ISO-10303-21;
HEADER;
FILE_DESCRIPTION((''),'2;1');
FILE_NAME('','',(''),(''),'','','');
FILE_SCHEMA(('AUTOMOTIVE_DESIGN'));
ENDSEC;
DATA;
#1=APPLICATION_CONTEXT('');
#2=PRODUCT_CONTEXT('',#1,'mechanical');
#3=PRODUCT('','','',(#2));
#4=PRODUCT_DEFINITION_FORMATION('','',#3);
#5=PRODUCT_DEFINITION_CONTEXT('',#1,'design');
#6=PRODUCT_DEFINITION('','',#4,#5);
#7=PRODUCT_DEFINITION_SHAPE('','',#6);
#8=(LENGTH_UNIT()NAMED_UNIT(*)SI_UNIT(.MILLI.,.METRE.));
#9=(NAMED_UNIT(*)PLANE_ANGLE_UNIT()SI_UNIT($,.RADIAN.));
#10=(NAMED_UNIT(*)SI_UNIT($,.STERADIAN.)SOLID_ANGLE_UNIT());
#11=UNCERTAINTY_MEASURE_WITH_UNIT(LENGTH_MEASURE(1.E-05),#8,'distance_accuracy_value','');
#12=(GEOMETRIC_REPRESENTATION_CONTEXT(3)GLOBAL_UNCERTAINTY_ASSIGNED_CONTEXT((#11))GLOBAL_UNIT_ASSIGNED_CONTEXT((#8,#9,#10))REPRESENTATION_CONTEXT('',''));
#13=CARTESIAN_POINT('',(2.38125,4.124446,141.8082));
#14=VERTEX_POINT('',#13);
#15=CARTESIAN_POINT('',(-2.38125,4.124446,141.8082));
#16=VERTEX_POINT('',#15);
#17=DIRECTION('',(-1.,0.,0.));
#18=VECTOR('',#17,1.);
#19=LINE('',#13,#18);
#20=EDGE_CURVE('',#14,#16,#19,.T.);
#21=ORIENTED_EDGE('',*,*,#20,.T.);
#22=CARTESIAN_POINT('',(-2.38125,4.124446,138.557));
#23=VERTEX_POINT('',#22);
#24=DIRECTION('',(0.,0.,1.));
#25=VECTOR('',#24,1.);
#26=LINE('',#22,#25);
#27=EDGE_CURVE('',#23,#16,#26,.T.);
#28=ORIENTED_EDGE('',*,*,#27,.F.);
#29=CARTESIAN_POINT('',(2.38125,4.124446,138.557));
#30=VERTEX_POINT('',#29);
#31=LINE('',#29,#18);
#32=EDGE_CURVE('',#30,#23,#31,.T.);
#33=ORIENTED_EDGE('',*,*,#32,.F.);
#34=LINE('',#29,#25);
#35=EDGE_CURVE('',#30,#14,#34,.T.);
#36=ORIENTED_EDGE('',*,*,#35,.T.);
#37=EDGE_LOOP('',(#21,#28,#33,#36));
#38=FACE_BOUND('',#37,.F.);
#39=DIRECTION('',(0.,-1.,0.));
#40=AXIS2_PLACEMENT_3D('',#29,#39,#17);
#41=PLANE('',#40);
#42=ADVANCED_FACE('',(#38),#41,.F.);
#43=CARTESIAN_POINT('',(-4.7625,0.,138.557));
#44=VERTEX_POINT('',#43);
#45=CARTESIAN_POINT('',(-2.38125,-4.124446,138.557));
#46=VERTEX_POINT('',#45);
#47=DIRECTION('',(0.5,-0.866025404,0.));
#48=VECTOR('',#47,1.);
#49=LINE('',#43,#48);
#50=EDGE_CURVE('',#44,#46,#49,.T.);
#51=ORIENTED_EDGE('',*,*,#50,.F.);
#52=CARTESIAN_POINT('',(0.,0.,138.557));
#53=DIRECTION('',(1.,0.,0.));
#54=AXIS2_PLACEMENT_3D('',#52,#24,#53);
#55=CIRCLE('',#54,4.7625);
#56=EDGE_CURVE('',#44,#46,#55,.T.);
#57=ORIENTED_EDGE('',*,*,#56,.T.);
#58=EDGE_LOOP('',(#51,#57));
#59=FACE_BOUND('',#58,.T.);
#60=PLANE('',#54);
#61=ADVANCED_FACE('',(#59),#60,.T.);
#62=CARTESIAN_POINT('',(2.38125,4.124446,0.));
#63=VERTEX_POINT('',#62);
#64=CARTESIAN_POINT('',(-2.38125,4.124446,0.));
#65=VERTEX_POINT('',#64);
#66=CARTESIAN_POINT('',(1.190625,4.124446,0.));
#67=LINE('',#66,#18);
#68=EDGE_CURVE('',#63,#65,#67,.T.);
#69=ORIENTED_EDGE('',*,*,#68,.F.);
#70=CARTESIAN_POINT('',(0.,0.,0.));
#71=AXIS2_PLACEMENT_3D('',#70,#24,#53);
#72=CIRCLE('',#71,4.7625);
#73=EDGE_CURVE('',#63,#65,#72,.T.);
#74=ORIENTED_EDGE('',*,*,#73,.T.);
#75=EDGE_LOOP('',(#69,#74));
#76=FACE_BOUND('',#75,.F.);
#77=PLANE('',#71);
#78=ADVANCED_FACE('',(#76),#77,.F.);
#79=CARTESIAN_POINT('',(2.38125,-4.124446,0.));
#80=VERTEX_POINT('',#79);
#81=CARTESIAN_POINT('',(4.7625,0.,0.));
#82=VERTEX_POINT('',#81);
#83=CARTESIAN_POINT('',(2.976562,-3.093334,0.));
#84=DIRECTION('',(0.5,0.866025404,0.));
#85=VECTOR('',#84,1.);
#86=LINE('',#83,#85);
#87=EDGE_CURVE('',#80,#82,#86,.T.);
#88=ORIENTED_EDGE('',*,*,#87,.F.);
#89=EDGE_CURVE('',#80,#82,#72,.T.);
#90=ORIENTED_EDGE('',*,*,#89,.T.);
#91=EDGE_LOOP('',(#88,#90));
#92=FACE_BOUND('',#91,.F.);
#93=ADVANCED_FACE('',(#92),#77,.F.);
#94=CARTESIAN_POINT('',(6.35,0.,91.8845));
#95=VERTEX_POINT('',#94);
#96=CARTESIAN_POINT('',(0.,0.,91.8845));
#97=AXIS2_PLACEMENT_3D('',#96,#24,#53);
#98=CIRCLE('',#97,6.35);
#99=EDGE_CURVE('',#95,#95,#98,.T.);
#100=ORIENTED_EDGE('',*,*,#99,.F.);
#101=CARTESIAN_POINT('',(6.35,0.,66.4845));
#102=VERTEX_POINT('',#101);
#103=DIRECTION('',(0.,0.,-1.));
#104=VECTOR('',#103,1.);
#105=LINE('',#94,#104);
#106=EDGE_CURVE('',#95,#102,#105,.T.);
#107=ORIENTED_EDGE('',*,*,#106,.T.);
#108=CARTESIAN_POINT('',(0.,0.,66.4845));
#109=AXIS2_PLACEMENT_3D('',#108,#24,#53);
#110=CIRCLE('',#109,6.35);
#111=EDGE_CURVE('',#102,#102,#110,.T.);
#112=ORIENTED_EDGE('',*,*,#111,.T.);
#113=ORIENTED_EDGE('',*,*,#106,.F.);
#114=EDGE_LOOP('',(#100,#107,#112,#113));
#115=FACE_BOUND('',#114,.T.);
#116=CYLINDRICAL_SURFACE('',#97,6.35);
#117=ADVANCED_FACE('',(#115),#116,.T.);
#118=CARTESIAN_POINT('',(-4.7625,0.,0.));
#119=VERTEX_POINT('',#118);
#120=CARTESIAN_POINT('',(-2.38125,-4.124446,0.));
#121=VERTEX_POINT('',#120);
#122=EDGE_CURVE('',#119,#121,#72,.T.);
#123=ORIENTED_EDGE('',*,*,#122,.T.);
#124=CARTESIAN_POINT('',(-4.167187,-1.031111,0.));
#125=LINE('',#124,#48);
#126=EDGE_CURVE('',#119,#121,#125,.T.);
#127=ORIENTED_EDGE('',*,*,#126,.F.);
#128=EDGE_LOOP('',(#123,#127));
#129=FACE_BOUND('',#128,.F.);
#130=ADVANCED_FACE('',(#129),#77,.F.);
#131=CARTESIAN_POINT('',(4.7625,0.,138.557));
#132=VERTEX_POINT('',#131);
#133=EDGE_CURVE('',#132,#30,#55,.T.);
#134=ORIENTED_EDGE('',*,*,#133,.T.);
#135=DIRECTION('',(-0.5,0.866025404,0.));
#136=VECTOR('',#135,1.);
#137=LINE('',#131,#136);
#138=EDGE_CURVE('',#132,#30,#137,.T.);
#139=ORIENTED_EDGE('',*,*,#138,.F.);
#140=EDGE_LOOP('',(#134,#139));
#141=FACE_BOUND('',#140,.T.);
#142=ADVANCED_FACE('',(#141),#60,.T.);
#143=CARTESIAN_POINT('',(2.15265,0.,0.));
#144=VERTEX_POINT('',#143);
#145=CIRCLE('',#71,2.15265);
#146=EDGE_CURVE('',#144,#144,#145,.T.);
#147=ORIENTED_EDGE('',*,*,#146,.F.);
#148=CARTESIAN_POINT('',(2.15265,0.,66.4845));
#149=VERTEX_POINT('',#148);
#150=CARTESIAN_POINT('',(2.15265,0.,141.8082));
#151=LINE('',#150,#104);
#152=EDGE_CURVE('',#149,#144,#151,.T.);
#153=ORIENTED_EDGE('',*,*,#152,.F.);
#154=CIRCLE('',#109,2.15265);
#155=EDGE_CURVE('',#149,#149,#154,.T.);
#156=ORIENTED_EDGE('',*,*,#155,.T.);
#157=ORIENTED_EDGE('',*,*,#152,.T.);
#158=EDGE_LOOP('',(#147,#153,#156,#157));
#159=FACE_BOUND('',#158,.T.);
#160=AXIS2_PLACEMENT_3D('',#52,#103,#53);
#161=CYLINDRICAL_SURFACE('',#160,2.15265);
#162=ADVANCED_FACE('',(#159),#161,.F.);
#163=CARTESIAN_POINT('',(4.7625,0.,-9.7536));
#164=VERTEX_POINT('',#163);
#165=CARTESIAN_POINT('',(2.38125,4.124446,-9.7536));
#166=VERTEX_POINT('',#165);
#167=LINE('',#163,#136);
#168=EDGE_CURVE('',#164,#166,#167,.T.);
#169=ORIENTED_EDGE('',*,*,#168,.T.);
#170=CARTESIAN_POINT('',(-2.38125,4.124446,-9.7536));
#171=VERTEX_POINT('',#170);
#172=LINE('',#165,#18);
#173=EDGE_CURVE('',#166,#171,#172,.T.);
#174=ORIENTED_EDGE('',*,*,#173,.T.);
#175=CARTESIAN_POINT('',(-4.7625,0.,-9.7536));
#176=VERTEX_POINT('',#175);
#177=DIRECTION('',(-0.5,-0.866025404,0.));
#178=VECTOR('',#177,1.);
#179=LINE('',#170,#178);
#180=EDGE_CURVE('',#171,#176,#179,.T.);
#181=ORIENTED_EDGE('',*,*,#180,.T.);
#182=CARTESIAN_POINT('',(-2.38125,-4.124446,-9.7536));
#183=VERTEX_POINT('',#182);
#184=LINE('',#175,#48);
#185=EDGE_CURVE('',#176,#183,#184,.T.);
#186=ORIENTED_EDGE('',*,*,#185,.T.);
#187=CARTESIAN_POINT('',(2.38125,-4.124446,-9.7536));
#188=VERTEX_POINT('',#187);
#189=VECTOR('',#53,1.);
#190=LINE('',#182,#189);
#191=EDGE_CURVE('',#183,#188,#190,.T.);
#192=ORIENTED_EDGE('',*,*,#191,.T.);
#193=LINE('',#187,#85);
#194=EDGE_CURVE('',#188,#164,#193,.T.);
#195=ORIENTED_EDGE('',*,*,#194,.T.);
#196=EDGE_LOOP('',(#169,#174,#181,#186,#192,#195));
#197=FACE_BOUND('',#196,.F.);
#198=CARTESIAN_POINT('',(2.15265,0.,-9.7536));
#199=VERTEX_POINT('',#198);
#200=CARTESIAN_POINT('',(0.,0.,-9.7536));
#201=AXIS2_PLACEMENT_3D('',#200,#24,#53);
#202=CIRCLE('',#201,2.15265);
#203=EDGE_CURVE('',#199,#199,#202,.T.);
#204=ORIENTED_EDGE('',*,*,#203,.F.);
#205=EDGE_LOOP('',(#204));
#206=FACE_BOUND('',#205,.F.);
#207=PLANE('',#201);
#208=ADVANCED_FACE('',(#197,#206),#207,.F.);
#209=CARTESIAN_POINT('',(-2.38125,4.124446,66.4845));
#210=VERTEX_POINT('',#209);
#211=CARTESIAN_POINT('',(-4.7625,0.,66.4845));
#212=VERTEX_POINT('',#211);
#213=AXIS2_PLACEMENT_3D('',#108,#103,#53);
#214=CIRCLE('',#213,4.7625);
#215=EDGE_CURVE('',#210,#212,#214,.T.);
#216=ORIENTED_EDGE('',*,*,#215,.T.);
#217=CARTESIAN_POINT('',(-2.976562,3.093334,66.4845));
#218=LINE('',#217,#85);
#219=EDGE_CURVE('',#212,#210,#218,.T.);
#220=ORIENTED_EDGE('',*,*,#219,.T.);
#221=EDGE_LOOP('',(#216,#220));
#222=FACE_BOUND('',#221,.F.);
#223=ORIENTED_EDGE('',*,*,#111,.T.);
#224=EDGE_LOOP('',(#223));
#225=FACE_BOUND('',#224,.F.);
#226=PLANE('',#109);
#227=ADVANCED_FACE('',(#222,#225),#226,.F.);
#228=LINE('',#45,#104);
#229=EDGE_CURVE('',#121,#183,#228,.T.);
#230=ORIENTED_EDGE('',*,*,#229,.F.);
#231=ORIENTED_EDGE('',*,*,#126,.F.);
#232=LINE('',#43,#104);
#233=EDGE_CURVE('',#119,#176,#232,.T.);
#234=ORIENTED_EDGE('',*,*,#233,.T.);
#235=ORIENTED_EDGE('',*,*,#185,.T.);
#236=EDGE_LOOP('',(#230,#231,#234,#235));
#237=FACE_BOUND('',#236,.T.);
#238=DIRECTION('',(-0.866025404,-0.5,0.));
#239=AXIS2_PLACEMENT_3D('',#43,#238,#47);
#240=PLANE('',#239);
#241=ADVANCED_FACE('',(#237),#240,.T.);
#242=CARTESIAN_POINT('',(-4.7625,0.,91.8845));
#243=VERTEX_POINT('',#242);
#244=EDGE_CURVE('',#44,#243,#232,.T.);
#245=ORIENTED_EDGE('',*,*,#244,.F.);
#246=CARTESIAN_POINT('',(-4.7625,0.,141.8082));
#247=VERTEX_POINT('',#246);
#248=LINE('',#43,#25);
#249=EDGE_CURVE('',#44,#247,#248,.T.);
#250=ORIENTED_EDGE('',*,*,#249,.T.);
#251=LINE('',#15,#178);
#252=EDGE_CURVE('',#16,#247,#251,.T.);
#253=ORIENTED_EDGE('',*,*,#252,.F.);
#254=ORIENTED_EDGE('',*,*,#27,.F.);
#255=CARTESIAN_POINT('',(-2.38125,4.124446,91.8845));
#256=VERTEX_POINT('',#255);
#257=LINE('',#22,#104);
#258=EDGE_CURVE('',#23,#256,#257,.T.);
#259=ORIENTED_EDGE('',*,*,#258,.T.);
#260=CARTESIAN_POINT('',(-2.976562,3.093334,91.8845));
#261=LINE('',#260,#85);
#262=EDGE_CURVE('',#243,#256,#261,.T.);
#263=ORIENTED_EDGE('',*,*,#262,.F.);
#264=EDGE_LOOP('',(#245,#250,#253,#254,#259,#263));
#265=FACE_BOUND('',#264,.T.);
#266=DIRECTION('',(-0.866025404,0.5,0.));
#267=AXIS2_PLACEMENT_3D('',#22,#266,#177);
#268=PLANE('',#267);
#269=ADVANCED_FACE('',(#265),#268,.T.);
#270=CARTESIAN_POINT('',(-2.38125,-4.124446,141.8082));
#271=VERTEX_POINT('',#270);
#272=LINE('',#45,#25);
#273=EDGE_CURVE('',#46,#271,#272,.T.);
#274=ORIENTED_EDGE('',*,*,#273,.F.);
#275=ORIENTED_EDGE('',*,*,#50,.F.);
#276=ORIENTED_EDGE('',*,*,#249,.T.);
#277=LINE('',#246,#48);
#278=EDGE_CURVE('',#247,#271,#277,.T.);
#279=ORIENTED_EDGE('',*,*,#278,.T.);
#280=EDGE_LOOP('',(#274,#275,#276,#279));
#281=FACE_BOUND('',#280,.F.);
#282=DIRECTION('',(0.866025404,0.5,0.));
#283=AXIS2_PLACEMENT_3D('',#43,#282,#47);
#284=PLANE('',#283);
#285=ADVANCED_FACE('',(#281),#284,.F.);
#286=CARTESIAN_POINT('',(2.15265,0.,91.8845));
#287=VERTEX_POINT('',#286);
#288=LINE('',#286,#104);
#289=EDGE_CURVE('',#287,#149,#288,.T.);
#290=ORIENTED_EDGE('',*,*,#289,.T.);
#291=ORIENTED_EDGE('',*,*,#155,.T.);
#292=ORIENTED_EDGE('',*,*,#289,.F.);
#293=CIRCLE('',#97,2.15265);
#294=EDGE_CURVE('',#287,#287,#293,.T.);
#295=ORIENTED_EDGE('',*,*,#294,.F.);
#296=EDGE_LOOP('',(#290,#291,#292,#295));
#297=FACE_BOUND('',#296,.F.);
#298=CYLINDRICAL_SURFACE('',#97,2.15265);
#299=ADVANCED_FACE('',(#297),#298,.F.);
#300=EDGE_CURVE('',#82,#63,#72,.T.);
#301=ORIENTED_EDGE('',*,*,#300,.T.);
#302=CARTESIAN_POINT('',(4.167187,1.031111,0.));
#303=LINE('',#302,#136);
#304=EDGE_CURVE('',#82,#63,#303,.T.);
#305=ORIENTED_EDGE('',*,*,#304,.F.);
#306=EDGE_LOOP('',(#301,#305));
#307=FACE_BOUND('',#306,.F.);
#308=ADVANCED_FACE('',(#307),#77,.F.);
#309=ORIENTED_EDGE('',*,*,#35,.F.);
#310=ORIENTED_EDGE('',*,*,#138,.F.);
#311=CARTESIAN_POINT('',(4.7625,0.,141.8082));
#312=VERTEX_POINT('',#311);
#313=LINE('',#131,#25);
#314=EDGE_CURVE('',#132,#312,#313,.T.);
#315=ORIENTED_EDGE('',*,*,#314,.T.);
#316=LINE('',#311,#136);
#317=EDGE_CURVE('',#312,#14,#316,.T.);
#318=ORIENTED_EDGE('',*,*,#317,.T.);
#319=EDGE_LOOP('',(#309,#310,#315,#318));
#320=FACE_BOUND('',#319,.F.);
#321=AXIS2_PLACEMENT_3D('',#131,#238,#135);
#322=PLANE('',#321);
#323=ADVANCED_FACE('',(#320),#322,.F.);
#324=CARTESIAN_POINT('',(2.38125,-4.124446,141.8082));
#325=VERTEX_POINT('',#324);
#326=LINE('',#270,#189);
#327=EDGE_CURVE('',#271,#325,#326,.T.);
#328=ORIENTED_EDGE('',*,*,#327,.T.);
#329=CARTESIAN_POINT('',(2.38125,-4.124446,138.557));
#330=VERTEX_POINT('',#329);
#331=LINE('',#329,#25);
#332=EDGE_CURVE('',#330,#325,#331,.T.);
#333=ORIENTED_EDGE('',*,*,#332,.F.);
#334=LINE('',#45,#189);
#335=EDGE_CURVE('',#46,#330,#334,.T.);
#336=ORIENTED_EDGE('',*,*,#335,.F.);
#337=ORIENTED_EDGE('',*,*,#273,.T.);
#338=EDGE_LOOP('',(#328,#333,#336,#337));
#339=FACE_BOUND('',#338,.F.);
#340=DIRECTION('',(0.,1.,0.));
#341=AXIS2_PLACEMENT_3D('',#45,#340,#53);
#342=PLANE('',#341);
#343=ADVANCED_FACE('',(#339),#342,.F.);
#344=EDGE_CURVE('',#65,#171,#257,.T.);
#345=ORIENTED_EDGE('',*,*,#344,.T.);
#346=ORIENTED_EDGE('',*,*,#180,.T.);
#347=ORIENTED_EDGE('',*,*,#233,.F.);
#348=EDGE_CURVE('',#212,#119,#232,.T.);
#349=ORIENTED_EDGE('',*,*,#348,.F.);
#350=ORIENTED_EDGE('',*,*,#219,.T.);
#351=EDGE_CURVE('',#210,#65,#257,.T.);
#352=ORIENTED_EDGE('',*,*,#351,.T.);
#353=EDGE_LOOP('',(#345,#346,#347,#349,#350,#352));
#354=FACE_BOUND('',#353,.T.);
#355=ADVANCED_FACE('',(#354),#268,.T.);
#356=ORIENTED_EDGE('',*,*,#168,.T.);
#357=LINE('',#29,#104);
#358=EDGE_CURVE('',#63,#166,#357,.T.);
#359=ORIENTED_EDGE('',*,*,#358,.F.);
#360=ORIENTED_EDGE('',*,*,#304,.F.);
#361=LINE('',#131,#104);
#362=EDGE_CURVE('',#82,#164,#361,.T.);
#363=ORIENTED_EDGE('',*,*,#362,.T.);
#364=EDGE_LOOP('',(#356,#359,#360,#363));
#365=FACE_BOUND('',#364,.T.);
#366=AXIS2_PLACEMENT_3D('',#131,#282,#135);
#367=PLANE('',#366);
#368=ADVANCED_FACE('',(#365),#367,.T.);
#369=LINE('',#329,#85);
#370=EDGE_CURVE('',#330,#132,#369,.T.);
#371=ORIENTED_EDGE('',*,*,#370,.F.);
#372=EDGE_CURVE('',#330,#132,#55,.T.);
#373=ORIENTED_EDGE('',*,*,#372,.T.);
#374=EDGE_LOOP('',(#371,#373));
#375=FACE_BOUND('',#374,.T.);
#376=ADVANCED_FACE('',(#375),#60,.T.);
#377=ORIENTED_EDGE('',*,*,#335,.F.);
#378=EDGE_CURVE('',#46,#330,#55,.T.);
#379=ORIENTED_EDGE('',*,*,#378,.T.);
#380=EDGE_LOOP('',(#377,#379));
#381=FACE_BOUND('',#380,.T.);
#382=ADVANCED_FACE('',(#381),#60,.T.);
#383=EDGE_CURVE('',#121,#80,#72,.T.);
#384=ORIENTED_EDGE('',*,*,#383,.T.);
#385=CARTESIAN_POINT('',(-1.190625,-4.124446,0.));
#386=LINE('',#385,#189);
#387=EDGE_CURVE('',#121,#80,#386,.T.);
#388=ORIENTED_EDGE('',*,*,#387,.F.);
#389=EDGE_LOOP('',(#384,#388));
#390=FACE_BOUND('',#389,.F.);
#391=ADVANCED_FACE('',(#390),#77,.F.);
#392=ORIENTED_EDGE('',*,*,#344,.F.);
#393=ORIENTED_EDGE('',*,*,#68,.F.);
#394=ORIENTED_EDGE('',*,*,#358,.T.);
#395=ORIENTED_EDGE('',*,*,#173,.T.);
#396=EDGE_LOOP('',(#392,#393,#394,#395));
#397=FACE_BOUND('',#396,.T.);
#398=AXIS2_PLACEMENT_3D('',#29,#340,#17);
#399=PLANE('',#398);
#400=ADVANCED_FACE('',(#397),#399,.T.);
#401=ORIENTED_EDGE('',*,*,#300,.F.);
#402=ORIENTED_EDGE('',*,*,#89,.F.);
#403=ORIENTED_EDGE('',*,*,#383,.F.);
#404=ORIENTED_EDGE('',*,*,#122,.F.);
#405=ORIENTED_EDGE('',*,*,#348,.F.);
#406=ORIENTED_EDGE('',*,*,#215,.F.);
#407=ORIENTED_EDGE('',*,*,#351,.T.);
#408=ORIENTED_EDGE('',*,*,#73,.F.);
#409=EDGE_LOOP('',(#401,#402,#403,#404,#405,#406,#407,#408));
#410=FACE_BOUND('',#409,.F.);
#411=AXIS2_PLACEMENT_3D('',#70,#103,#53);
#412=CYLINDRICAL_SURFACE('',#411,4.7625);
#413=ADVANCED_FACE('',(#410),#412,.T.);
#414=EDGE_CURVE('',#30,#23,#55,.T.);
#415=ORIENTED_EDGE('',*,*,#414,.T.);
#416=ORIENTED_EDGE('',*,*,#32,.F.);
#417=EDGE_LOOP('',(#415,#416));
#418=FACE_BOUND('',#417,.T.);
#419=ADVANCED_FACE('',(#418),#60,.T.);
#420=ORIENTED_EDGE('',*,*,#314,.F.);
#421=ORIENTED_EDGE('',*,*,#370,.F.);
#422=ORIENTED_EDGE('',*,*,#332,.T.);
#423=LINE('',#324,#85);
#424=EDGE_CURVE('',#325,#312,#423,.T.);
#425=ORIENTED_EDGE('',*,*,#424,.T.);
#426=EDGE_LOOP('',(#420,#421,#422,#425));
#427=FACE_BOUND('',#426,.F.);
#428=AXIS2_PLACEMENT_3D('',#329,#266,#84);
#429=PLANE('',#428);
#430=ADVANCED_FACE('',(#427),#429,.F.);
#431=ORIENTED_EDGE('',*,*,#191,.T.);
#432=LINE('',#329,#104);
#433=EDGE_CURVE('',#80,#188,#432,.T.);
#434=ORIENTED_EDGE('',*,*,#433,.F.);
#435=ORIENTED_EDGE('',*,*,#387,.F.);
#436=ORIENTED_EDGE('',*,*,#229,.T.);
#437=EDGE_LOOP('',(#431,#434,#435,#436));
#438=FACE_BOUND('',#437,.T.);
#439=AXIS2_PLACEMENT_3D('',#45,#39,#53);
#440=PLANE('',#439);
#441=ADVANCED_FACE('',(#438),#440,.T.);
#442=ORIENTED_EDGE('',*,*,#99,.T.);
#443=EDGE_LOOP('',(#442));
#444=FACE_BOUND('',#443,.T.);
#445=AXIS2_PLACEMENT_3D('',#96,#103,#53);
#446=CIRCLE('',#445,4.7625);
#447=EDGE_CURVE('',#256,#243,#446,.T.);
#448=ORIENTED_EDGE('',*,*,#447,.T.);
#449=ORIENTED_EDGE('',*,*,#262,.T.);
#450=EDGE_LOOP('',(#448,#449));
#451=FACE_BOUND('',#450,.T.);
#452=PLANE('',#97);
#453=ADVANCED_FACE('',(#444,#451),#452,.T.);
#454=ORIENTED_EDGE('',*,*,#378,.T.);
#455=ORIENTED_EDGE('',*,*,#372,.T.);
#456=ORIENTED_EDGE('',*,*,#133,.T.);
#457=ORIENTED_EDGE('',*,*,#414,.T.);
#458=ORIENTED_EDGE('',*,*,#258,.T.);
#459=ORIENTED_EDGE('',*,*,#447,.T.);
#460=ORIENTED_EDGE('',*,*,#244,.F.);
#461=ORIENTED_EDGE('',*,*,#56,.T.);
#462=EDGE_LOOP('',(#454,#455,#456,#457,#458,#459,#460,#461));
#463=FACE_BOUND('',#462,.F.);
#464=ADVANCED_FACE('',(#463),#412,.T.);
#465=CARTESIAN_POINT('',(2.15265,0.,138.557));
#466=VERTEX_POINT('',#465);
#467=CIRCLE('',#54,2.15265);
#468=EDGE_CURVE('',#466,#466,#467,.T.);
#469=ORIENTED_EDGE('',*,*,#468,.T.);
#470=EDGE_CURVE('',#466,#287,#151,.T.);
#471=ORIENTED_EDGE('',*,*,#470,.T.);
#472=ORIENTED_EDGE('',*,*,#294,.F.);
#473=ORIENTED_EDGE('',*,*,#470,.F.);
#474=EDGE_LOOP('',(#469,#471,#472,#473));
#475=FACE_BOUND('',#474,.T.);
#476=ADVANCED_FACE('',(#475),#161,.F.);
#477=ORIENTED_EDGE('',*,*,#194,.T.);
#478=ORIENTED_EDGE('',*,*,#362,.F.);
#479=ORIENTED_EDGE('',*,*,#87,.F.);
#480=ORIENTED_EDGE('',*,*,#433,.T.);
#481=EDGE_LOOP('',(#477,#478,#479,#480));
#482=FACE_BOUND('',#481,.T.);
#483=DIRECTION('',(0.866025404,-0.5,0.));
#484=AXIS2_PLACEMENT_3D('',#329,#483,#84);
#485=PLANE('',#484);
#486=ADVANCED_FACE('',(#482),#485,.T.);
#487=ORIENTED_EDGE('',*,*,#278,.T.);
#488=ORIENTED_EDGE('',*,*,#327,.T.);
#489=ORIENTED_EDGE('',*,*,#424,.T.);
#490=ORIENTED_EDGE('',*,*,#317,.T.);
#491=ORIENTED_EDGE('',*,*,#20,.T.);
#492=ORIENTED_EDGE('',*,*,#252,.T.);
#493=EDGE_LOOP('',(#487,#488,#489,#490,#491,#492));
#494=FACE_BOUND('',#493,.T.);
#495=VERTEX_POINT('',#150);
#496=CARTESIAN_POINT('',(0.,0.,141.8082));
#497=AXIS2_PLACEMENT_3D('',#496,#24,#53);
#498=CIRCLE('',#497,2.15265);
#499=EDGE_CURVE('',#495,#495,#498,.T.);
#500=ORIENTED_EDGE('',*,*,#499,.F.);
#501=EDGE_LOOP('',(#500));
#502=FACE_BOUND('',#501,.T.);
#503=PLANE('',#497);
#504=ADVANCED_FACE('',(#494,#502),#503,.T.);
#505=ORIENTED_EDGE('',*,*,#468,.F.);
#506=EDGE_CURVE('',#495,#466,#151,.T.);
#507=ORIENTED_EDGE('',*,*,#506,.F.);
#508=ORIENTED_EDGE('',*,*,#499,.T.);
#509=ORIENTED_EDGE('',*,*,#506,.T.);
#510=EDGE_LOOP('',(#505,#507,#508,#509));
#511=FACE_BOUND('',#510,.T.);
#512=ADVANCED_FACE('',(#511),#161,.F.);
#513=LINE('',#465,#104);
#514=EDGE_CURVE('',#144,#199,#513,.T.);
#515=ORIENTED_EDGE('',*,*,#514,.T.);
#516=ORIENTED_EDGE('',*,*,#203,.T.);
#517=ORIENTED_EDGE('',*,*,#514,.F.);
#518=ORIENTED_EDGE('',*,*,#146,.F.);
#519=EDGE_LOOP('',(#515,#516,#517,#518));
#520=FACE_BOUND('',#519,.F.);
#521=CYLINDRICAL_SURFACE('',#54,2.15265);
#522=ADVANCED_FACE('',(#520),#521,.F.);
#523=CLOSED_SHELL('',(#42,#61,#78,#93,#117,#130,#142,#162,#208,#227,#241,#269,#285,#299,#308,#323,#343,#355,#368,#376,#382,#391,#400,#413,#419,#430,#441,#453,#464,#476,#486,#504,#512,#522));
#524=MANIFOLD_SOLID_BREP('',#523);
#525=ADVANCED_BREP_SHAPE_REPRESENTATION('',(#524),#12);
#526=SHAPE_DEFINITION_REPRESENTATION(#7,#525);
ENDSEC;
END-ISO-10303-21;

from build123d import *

# Parameters (mm, degrees)
F0_R          = 4.7625
F0_R_2        = 2.15265
F1_DEPTH      = 138.557
F3_R          = 2.15265
F4_DEPTH      = 3.2512
F4_DEPTH_BACK = 148.3106
F5_DEPTH      = 138.557
F7_R          = 6.35
F7_R_2        = 2.15265
F8_DEPTH      = 25.4


with BuildPart() as f1:
    # F0 (on Top) → F1 (new body)
    with BuildSketch(Plane.XY):
        Circle(F0_R)
        Circle(F0_R_2, mode=Mode.SUBTRACT)
    extrude(amount=F1_DEPTH)

    # F3 (on face) → F4 (join, two sides)
    with BuildSketch(Plane.XY.offset(138.557)) as f4_sk:
        Polygon((4.7625, 0), (2.38125, 4.1244459855), (-2.38125, 4.1244459855), (-4.7625, 0), (-2.38125, -4.1244459855), (2.38125, -4.1244459855), align=None)
        Circle(F3_R, mode=Mode.SUBTRACT)
    extrude(amount=F4_DEPTH)
    extrude(f4_sk.sketch, amount=-F4_DEPTH_BACK)

    # F5 (cut, through all): a face of the model
    f5_faces = [f1.faces().sort_by_distance(p)[0] for p in [
        (-3.7942237484, 2.1905961025, 138.557),
    ]]
    extrude(f5_faces, amount=-F5_DEPTH, mode=Mode.SUBTRACT)

    # F7 (on offset) → F8 (join)
    with BuildSketch(Plane.XY.offset(91.8845)):
        Circle(F7_R)
        Circle(F7_R_2, mode=Mode.SUBTRACT)
    extrude(amount=-F8_DEPTH)


solid = f1.part
